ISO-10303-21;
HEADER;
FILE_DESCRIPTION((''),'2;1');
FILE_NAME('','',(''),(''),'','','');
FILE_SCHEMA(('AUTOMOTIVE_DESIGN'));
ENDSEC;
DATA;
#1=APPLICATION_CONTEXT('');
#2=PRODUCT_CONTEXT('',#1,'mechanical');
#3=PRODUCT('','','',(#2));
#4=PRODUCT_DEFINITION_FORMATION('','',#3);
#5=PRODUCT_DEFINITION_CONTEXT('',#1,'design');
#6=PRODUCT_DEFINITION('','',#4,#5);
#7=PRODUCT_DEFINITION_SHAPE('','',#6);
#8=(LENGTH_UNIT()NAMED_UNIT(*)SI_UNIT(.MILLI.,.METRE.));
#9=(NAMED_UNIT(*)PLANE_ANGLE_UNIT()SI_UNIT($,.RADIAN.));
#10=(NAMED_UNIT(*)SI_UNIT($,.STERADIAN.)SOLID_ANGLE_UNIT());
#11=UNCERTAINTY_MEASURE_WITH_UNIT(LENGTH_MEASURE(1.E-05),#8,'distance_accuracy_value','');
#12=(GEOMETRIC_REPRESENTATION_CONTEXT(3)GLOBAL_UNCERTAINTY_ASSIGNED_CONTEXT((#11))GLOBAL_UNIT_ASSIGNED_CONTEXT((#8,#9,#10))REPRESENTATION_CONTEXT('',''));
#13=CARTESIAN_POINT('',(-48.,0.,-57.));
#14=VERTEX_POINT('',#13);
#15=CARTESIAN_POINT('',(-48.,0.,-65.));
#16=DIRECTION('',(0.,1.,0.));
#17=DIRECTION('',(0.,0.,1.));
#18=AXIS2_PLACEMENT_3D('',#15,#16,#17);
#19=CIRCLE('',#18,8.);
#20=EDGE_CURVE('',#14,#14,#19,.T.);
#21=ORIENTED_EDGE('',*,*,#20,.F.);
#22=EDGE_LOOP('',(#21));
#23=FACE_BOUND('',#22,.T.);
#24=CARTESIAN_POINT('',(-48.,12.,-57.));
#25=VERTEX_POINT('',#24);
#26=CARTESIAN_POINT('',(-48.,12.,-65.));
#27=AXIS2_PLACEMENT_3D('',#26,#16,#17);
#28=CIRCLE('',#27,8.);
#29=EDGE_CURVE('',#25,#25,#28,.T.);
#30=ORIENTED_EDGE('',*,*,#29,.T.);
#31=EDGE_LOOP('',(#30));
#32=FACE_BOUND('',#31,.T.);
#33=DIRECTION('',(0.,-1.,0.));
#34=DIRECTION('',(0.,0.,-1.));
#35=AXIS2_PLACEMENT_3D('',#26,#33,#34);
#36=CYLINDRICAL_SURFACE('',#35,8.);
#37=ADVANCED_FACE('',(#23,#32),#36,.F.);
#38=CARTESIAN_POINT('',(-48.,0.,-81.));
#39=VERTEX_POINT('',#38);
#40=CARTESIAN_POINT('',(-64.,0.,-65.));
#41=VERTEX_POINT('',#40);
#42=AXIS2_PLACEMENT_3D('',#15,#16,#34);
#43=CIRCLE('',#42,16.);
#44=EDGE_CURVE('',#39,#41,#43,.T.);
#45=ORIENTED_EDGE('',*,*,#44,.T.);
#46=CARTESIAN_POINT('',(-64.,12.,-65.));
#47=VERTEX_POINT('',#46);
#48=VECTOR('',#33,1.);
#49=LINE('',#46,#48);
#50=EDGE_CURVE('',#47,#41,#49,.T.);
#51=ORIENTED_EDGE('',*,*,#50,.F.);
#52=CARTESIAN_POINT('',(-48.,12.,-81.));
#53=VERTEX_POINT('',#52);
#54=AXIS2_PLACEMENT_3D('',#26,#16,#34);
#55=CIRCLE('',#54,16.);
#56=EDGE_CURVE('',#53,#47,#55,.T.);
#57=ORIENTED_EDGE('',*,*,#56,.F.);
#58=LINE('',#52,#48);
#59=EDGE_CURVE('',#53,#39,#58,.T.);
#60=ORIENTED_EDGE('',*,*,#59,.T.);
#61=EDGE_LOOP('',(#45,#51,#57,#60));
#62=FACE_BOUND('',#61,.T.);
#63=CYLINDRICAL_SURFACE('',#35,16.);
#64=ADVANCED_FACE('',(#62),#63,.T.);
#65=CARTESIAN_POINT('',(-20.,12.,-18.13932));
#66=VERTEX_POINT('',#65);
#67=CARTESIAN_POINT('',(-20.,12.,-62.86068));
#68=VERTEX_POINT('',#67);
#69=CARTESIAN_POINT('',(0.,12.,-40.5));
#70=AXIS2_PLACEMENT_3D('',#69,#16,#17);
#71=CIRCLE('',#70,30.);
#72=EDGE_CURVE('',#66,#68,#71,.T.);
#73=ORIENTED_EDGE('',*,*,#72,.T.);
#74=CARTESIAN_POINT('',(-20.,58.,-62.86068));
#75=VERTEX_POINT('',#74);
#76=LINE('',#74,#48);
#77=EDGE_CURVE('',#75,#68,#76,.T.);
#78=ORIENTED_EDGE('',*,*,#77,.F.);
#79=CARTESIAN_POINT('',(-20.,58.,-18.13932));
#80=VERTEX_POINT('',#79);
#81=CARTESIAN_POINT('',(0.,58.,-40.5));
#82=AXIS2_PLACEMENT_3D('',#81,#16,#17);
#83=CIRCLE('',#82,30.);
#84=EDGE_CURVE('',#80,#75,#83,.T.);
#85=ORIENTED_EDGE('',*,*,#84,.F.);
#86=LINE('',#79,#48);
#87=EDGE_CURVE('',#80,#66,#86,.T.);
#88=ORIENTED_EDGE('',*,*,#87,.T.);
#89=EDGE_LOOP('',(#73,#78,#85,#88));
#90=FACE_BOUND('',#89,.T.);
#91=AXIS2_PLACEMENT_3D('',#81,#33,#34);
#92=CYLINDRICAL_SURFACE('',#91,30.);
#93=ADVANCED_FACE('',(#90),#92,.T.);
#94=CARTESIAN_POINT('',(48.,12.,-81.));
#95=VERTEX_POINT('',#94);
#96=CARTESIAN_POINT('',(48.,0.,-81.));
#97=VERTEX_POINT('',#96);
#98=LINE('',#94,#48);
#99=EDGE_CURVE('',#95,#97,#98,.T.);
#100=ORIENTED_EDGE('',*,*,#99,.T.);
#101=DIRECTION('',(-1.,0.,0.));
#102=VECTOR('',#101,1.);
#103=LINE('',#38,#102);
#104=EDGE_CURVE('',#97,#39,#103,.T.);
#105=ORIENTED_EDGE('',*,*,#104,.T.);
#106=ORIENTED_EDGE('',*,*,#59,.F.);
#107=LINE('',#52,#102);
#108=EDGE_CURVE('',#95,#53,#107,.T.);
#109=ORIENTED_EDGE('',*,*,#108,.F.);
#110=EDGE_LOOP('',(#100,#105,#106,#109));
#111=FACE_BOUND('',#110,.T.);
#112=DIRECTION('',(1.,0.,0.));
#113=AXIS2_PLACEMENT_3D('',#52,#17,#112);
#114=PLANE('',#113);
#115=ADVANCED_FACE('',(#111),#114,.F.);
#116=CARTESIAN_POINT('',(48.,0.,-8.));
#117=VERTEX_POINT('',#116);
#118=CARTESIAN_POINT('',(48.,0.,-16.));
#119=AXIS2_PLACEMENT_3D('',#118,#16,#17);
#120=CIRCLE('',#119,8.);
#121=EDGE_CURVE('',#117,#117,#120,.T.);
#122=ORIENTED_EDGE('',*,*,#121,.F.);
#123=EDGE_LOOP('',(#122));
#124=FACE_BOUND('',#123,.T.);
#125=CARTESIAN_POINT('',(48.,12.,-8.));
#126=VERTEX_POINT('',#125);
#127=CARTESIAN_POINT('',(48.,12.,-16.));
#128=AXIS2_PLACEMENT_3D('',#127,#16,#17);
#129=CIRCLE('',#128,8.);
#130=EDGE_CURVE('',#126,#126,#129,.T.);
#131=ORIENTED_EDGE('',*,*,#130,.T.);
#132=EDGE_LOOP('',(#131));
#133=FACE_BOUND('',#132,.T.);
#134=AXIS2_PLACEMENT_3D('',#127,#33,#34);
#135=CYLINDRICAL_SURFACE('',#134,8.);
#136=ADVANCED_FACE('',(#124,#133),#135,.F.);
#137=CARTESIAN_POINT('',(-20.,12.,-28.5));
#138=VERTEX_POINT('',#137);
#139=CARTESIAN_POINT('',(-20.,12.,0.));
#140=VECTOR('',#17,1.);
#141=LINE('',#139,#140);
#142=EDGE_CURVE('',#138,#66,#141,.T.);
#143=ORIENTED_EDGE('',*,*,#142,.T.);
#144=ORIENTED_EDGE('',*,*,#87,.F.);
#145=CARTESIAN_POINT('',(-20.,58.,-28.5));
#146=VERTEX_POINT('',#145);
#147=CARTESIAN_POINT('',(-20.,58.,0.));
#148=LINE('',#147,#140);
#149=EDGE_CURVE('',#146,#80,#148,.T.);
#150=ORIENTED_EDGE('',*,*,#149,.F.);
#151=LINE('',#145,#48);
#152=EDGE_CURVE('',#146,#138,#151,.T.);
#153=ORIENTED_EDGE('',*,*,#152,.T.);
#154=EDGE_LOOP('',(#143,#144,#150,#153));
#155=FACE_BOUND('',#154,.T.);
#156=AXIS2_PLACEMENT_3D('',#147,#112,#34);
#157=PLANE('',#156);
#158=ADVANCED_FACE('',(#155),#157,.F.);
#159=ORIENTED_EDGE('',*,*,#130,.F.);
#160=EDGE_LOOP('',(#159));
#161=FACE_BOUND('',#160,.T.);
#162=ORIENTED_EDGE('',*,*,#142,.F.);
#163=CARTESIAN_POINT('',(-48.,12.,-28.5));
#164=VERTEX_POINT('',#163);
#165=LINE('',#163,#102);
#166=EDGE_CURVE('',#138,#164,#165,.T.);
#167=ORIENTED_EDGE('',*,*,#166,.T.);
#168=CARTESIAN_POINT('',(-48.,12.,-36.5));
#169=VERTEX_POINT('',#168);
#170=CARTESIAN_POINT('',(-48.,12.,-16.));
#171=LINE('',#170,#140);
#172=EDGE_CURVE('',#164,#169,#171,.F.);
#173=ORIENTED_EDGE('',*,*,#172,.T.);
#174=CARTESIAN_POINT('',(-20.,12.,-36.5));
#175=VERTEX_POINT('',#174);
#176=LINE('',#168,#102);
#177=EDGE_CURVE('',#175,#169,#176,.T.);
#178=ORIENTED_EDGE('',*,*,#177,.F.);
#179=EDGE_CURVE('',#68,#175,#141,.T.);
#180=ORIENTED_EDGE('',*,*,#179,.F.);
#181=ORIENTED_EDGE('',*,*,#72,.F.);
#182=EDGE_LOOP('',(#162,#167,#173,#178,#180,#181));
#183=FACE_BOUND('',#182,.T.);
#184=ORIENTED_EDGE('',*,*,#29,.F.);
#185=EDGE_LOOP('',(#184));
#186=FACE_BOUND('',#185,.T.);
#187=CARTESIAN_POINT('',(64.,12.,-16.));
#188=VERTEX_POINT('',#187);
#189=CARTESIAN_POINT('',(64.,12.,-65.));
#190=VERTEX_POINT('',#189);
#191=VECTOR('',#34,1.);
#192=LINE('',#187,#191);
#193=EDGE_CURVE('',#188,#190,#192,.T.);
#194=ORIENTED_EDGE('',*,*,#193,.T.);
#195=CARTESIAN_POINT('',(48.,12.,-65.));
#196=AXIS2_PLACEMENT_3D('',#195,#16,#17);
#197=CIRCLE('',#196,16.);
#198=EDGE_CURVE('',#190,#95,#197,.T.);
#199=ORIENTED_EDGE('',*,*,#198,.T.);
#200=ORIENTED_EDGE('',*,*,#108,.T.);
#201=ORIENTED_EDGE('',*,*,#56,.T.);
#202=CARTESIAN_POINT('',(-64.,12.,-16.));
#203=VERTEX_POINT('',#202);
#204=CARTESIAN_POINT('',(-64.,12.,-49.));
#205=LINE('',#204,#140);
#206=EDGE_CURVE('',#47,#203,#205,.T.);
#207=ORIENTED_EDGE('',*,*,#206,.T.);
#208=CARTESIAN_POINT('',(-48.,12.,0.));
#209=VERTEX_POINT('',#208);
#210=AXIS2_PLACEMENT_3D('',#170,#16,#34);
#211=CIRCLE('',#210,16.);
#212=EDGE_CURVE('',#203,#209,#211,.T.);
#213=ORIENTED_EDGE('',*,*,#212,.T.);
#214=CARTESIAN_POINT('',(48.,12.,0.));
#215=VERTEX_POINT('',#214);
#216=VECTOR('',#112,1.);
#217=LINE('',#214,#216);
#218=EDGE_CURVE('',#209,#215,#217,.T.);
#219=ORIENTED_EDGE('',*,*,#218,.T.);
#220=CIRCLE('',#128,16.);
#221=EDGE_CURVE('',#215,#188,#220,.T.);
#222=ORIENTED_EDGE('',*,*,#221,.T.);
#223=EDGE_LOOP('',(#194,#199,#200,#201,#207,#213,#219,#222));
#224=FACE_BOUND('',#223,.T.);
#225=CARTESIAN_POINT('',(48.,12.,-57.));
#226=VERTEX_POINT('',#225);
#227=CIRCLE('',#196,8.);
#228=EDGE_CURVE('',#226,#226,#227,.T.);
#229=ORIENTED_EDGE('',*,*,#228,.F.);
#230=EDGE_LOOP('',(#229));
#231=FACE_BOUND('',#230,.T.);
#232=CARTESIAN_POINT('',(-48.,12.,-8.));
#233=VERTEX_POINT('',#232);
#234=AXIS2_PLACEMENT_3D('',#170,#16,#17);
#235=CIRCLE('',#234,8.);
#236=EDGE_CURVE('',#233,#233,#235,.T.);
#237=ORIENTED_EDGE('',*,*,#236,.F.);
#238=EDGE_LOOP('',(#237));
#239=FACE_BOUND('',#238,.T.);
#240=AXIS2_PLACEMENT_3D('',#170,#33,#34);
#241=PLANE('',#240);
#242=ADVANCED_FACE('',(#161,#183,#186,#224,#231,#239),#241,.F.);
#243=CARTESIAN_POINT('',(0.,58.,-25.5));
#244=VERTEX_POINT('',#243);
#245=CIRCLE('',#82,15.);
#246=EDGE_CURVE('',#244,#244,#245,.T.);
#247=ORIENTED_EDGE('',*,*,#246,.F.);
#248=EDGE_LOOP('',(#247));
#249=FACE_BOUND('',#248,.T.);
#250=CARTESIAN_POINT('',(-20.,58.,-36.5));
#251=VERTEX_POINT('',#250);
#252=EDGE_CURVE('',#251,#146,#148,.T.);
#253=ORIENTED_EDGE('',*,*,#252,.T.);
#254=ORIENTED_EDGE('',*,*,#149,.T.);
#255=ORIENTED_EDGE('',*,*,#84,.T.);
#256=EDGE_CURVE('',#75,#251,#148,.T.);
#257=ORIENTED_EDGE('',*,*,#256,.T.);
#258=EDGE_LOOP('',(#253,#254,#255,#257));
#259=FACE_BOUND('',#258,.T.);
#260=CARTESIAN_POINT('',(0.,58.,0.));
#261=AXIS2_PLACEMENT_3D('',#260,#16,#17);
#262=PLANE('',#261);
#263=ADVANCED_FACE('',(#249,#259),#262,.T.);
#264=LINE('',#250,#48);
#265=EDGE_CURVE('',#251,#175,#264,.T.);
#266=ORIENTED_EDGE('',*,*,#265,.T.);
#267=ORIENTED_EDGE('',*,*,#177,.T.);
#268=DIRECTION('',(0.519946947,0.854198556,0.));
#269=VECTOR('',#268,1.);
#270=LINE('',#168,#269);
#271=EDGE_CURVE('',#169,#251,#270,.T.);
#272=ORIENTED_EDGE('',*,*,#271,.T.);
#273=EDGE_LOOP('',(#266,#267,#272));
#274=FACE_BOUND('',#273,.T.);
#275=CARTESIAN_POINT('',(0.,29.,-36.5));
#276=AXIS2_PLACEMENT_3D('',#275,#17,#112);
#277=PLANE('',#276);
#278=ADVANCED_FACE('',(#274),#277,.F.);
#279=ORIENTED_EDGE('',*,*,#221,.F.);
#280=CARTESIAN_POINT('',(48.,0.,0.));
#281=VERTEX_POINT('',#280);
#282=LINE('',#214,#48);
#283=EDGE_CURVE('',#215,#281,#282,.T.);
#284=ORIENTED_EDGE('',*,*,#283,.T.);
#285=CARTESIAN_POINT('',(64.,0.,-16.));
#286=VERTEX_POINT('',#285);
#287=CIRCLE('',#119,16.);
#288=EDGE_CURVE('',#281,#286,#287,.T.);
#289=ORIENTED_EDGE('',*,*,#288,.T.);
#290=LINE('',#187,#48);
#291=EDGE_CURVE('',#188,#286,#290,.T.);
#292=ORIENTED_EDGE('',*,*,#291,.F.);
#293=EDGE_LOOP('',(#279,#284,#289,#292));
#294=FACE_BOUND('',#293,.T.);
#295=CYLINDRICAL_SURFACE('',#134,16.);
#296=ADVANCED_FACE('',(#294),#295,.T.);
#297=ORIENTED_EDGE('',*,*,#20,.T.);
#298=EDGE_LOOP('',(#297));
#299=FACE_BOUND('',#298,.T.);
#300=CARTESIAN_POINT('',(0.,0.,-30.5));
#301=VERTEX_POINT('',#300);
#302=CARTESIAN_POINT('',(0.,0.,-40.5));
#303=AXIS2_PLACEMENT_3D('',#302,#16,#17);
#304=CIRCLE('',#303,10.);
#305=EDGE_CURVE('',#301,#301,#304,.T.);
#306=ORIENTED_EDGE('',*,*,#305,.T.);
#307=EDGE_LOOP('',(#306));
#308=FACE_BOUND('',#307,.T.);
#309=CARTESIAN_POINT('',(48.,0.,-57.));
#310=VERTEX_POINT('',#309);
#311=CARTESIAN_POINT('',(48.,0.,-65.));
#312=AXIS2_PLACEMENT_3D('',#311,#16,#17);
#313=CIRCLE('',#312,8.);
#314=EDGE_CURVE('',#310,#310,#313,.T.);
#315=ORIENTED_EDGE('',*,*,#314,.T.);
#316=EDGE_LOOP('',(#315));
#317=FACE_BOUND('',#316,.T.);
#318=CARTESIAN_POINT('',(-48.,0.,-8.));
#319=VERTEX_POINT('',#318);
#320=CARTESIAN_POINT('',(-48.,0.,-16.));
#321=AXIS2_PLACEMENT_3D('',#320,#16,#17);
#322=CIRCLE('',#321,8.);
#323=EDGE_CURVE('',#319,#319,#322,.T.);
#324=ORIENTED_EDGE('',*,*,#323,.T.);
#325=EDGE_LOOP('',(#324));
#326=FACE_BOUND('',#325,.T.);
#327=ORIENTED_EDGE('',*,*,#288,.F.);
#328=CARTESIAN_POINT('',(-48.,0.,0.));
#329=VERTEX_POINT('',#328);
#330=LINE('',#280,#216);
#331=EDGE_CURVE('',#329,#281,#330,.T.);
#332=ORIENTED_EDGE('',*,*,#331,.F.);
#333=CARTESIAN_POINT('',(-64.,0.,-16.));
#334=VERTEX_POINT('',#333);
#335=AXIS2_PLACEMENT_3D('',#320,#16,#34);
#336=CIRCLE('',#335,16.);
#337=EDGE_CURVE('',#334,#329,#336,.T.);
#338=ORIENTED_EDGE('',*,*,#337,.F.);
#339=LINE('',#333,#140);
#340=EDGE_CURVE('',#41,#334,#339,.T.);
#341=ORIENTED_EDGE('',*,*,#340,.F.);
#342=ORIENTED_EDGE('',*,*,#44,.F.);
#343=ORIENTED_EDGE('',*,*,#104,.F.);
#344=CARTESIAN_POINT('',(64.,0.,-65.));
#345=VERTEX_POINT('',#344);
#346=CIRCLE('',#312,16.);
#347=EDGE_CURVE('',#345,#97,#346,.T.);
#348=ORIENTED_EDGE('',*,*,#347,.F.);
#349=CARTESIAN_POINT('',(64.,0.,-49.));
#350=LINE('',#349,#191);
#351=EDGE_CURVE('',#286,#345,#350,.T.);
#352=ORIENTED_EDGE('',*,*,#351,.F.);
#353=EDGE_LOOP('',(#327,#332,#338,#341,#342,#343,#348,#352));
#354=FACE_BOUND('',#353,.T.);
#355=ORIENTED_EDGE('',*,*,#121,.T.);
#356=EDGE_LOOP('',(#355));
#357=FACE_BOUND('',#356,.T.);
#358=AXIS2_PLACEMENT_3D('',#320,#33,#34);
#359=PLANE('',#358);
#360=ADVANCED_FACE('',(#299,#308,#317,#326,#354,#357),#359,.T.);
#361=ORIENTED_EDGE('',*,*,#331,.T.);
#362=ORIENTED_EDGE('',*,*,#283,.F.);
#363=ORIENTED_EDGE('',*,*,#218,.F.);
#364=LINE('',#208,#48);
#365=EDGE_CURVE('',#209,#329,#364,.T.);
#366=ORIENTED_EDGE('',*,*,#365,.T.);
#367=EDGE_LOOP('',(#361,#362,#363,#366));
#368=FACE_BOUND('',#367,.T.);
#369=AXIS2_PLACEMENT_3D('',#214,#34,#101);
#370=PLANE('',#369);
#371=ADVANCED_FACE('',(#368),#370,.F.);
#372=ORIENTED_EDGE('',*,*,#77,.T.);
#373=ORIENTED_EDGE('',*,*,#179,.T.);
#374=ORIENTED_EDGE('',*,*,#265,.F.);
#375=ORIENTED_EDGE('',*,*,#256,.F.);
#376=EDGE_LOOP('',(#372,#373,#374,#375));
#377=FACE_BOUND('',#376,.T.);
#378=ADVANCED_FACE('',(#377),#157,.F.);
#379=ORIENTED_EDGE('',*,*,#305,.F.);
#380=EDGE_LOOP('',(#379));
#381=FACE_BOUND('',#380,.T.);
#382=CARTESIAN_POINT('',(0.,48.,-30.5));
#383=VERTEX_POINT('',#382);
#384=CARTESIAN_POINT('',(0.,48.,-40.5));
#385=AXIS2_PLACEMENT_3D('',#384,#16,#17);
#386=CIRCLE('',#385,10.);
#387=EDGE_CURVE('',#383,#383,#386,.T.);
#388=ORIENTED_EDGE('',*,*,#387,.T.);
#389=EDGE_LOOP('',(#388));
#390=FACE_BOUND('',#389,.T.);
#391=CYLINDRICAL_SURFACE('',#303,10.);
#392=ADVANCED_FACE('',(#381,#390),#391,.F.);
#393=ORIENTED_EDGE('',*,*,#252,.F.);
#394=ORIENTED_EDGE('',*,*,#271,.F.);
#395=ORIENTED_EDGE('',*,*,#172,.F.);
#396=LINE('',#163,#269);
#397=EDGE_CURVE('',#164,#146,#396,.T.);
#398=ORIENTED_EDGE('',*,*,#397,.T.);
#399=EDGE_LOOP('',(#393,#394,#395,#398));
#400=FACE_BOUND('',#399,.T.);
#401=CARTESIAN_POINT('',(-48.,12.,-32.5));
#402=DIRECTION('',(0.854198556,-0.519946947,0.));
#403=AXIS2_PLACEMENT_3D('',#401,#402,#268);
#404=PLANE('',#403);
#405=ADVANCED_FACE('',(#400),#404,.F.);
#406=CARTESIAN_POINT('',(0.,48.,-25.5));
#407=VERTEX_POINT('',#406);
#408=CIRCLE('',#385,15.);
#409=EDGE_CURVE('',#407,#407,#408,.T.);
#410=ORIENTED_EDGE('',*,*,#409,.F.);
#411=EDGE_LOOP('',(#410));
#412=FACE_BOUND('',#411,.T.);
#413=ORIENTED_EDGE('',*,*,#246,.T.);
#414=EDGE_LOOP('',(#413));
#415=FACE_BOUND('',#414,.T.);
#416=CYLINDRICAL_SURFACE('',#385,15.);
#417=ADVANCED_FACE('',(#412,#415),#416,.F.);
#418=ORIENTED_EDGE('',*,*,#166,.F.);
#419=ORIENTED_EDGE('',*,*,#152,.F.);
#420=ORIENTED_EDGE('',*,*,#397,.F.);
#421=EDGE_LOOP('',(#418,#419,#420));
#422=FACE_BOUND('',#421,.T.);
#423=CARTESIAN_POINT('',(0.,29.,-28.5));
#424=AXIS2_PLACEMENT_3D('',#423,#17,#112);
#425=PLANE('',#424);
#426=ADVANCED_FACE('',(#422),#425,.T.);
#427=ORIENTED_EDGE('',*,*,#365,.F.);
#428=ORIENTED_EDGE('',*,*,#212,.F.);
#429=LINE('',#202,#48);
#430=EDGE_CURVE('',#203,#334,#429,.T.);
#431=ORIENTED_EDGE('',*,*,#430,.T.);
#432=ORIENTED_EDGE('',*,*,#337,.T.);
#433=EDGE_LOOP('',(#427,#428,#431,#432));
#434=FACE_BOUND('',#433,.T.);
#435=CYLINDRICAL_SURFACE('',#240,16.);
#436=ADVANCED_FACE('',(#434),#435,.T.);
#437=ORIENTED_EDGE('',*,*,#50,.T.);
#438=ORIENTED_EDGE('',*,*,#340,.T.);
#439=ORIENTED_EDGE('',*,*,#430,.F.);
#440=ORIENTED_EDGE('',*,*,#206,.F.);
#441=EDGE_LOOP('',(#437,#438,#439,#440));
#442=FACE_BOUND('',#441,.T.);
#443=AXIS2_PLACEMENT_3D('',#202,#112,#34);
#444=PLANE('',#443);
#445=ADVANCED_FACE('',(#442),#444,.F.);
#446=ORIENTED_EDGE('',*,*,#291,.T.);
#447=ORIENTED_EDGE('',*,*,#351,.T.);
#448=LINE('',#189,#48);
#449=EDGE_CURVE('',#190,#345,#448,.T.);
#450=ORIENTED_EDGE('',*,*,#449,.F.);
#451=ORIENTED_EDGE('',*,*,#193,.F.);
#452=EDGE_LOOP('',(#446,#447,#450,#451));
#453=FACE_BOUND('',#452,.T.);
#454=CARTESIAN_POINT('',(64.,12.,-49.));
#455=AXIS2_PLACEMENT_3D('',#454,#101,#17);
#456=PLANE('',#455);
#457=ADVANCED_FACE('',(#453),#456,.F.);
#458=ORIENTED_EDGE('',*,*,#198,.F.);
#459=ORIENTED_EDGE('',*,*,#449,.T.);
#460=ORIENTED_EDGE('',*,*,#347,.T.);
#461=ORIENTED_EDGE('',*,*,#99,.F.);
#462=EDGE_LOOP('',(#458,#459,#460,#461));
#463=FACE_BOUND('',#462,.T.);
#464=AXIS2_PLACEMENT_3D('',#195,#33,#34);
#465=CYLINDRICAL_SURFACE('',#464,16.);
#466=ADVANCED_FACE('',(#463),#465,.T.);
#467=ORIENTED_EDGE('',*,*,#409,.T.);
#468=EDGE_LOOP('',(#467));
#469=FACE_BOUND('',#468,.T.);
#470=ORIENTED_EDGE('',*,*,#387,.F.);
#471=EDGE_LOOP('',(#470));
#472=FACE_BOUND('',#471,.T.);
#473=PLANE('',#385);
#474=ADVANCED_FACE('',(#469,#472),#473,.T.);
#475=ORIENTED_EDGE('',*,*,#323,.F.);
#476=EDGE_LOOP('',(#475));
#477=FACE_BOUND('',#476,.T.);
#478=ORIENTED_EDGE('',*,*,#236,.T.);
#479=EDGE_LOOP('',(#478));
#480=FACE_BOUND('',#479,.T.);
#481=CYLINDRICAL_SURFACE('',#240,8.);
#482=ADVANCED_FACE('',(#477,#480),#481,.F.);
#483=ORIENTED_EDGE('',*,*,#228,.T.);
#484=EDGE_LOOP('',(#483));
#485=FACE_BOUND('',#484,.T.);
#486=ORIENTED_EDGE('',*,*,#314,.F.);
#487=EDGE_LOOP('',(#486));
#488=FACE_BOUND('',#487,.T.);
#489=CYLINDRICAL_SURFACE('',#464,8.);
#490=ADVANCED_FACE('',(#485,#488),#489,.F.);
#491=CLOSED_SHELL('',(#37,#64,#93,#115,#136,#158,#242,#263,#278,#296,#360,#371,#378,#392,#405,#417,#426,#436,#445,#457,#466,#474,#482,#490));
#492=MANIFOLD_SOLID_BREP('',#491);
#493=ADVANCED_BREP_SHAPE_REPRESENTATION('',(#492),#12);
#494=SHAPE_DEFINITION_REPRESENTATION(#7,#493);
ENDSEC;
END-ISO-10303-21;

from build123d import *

# Parameters (mm, degrees)
IZIM1_R                     = 8
Y_KSEKLIK_EKSTR_ZYON1_DEPTH = 12
Y_KSEKLIK_EKSTR_ZYON2_DEPTH = 46
IZIM4_R                     = 15
KES_EKSTR_ZYON1_DEPTH       = 10
IZIM5_R                     = 10
KES_EKSTR_ZYON2_DEPTH       = 114.846387734
FEDER7_REACH                = 101.057
IZIM16_WALL_W               = 253.965251844
IZIM16_WALL_H               = 8


with BuildPart() as part:
    # Çizim1 → Yükseklik-Ekstrüzyon1 (new body)
    with BuildSketch(Plane(origin=(0, 0, 0), x_dir=(1, 0, 0), z_dir=(0, 1, 0))):
        with BuildLine():
            Line((48, 0), (-48, 0))
            ThreePointArc((-48, 0), (-59.313708499, 4.686291501), (-64, 16))
            Line((-64, 16), (-64, 49))
            Line((-64, 49), (-64, 65))
            ThreePointArc((-64, 65), (-59.313708499, 76.313708499), (-48, 81))
            Line((-48, 81), (48, 81))
            ThreePointArc((48, 81), (59.313708499, 76.313708499), (64, 65))
            Line((64, 65), (64, 49))
            Line((64, 49), (64, 16))
            ThreePointArc((64, 16), (59.313708499, 4.686291501), (48, 0))
        make_face()
        with Locations(Location((-48, 65, 0), (0, 0, 270))):
            Circle(IZIM1_R, mode=Mode.SUBTRACT)
        with Locations(Location((-48, 16, 0), (0, 0, 270))):
            Circle(IZIM1_R, mode=Mode.SUBTRACT)
        with Locations(Location((48, 65, 0), (0, 0, 270))):
            Circle(IZIM1_R, mode=Mode.SUBTRACT)
        with Locations(Location((48, 16, 0), (0, 0, 270))):
            Circle(IZIM1_R, mode=Mode.SUBTRACT)
    extrude(amount=Y_KSEKLIK_EKSTR_ZYON1_DEPTH)

    # Çizim2 → Yükseklik-Ekstrüzyon2 (add)
    with BuildSketch(Plane(origin=(0, 12, 0), x_dir=(1, 0, 0), z_dir=(0, 1, 0))):
        with BuildLine():
            Line((-20, 62.860679775), (-20, 40.5))
            Line((-20, 40.5), (-20, 18.139320225))
            ThreePointArc((-20, 18.139320225), (30, 40.5), (-20, 62.860679775))
        make_face()
    extrude(amount=Y_KSEKLIK_EKSTR_ZYON2_DEPTH)

    # Çizim4 → Kes-Ekstrüzyon1 (cut)
    with BuildSketch(Plane(origin=(0, 58, 0), x_dir=(1, 0, 0), z_dir=(0, 1, 0))):
        with Locations(Location((0, 40.5, 0), (0, 0, 270))):
            Circle(IZIM4_R)
    extrude(amount=-KES_EKSTR_ZYON1_DEPTH, mode=Mode.SUBTRACT)

    # Çizim5 → Kes-Ekstrüzyon2 (cut, through all)
    with BuildSketch(Plane(origin=(0, 48, 0), x_dir=(1, 0, 0), z_dir=(0, 1, 0))):
        with Locations(Location((0, 40.5, 0), (0, 0, 270))):
            Circle(IZIM5_R)
    extrude(amount=-KES_EKSTR_ZYON2_DEPTH, mode=Mode.SUBTRACT)

    # Çizim16 wall → Feder7 (add, up to next)
    with BuildSketch(Plane(origin=(-34, 35, -32.5), x_dir=(0.519946946896, 0.854198555614, 0), z_dir=(-0.854198555614, 0.519946946896, 0)), mode=Mode.PRIVATE) as feder7_sk1:
        Rectangle(IZIM16_WALL_W, IZIM16_WALL_H)
    feder7_tool1 = extrude(feder7_sk1.sketch, amount=-FEDER7_REACH, mode=Mode.PRIVATE) - part.part
    add(feder7_tool1.solids().sort_by_distance((-34, 35, -32.5))[0])


solid = part.part
